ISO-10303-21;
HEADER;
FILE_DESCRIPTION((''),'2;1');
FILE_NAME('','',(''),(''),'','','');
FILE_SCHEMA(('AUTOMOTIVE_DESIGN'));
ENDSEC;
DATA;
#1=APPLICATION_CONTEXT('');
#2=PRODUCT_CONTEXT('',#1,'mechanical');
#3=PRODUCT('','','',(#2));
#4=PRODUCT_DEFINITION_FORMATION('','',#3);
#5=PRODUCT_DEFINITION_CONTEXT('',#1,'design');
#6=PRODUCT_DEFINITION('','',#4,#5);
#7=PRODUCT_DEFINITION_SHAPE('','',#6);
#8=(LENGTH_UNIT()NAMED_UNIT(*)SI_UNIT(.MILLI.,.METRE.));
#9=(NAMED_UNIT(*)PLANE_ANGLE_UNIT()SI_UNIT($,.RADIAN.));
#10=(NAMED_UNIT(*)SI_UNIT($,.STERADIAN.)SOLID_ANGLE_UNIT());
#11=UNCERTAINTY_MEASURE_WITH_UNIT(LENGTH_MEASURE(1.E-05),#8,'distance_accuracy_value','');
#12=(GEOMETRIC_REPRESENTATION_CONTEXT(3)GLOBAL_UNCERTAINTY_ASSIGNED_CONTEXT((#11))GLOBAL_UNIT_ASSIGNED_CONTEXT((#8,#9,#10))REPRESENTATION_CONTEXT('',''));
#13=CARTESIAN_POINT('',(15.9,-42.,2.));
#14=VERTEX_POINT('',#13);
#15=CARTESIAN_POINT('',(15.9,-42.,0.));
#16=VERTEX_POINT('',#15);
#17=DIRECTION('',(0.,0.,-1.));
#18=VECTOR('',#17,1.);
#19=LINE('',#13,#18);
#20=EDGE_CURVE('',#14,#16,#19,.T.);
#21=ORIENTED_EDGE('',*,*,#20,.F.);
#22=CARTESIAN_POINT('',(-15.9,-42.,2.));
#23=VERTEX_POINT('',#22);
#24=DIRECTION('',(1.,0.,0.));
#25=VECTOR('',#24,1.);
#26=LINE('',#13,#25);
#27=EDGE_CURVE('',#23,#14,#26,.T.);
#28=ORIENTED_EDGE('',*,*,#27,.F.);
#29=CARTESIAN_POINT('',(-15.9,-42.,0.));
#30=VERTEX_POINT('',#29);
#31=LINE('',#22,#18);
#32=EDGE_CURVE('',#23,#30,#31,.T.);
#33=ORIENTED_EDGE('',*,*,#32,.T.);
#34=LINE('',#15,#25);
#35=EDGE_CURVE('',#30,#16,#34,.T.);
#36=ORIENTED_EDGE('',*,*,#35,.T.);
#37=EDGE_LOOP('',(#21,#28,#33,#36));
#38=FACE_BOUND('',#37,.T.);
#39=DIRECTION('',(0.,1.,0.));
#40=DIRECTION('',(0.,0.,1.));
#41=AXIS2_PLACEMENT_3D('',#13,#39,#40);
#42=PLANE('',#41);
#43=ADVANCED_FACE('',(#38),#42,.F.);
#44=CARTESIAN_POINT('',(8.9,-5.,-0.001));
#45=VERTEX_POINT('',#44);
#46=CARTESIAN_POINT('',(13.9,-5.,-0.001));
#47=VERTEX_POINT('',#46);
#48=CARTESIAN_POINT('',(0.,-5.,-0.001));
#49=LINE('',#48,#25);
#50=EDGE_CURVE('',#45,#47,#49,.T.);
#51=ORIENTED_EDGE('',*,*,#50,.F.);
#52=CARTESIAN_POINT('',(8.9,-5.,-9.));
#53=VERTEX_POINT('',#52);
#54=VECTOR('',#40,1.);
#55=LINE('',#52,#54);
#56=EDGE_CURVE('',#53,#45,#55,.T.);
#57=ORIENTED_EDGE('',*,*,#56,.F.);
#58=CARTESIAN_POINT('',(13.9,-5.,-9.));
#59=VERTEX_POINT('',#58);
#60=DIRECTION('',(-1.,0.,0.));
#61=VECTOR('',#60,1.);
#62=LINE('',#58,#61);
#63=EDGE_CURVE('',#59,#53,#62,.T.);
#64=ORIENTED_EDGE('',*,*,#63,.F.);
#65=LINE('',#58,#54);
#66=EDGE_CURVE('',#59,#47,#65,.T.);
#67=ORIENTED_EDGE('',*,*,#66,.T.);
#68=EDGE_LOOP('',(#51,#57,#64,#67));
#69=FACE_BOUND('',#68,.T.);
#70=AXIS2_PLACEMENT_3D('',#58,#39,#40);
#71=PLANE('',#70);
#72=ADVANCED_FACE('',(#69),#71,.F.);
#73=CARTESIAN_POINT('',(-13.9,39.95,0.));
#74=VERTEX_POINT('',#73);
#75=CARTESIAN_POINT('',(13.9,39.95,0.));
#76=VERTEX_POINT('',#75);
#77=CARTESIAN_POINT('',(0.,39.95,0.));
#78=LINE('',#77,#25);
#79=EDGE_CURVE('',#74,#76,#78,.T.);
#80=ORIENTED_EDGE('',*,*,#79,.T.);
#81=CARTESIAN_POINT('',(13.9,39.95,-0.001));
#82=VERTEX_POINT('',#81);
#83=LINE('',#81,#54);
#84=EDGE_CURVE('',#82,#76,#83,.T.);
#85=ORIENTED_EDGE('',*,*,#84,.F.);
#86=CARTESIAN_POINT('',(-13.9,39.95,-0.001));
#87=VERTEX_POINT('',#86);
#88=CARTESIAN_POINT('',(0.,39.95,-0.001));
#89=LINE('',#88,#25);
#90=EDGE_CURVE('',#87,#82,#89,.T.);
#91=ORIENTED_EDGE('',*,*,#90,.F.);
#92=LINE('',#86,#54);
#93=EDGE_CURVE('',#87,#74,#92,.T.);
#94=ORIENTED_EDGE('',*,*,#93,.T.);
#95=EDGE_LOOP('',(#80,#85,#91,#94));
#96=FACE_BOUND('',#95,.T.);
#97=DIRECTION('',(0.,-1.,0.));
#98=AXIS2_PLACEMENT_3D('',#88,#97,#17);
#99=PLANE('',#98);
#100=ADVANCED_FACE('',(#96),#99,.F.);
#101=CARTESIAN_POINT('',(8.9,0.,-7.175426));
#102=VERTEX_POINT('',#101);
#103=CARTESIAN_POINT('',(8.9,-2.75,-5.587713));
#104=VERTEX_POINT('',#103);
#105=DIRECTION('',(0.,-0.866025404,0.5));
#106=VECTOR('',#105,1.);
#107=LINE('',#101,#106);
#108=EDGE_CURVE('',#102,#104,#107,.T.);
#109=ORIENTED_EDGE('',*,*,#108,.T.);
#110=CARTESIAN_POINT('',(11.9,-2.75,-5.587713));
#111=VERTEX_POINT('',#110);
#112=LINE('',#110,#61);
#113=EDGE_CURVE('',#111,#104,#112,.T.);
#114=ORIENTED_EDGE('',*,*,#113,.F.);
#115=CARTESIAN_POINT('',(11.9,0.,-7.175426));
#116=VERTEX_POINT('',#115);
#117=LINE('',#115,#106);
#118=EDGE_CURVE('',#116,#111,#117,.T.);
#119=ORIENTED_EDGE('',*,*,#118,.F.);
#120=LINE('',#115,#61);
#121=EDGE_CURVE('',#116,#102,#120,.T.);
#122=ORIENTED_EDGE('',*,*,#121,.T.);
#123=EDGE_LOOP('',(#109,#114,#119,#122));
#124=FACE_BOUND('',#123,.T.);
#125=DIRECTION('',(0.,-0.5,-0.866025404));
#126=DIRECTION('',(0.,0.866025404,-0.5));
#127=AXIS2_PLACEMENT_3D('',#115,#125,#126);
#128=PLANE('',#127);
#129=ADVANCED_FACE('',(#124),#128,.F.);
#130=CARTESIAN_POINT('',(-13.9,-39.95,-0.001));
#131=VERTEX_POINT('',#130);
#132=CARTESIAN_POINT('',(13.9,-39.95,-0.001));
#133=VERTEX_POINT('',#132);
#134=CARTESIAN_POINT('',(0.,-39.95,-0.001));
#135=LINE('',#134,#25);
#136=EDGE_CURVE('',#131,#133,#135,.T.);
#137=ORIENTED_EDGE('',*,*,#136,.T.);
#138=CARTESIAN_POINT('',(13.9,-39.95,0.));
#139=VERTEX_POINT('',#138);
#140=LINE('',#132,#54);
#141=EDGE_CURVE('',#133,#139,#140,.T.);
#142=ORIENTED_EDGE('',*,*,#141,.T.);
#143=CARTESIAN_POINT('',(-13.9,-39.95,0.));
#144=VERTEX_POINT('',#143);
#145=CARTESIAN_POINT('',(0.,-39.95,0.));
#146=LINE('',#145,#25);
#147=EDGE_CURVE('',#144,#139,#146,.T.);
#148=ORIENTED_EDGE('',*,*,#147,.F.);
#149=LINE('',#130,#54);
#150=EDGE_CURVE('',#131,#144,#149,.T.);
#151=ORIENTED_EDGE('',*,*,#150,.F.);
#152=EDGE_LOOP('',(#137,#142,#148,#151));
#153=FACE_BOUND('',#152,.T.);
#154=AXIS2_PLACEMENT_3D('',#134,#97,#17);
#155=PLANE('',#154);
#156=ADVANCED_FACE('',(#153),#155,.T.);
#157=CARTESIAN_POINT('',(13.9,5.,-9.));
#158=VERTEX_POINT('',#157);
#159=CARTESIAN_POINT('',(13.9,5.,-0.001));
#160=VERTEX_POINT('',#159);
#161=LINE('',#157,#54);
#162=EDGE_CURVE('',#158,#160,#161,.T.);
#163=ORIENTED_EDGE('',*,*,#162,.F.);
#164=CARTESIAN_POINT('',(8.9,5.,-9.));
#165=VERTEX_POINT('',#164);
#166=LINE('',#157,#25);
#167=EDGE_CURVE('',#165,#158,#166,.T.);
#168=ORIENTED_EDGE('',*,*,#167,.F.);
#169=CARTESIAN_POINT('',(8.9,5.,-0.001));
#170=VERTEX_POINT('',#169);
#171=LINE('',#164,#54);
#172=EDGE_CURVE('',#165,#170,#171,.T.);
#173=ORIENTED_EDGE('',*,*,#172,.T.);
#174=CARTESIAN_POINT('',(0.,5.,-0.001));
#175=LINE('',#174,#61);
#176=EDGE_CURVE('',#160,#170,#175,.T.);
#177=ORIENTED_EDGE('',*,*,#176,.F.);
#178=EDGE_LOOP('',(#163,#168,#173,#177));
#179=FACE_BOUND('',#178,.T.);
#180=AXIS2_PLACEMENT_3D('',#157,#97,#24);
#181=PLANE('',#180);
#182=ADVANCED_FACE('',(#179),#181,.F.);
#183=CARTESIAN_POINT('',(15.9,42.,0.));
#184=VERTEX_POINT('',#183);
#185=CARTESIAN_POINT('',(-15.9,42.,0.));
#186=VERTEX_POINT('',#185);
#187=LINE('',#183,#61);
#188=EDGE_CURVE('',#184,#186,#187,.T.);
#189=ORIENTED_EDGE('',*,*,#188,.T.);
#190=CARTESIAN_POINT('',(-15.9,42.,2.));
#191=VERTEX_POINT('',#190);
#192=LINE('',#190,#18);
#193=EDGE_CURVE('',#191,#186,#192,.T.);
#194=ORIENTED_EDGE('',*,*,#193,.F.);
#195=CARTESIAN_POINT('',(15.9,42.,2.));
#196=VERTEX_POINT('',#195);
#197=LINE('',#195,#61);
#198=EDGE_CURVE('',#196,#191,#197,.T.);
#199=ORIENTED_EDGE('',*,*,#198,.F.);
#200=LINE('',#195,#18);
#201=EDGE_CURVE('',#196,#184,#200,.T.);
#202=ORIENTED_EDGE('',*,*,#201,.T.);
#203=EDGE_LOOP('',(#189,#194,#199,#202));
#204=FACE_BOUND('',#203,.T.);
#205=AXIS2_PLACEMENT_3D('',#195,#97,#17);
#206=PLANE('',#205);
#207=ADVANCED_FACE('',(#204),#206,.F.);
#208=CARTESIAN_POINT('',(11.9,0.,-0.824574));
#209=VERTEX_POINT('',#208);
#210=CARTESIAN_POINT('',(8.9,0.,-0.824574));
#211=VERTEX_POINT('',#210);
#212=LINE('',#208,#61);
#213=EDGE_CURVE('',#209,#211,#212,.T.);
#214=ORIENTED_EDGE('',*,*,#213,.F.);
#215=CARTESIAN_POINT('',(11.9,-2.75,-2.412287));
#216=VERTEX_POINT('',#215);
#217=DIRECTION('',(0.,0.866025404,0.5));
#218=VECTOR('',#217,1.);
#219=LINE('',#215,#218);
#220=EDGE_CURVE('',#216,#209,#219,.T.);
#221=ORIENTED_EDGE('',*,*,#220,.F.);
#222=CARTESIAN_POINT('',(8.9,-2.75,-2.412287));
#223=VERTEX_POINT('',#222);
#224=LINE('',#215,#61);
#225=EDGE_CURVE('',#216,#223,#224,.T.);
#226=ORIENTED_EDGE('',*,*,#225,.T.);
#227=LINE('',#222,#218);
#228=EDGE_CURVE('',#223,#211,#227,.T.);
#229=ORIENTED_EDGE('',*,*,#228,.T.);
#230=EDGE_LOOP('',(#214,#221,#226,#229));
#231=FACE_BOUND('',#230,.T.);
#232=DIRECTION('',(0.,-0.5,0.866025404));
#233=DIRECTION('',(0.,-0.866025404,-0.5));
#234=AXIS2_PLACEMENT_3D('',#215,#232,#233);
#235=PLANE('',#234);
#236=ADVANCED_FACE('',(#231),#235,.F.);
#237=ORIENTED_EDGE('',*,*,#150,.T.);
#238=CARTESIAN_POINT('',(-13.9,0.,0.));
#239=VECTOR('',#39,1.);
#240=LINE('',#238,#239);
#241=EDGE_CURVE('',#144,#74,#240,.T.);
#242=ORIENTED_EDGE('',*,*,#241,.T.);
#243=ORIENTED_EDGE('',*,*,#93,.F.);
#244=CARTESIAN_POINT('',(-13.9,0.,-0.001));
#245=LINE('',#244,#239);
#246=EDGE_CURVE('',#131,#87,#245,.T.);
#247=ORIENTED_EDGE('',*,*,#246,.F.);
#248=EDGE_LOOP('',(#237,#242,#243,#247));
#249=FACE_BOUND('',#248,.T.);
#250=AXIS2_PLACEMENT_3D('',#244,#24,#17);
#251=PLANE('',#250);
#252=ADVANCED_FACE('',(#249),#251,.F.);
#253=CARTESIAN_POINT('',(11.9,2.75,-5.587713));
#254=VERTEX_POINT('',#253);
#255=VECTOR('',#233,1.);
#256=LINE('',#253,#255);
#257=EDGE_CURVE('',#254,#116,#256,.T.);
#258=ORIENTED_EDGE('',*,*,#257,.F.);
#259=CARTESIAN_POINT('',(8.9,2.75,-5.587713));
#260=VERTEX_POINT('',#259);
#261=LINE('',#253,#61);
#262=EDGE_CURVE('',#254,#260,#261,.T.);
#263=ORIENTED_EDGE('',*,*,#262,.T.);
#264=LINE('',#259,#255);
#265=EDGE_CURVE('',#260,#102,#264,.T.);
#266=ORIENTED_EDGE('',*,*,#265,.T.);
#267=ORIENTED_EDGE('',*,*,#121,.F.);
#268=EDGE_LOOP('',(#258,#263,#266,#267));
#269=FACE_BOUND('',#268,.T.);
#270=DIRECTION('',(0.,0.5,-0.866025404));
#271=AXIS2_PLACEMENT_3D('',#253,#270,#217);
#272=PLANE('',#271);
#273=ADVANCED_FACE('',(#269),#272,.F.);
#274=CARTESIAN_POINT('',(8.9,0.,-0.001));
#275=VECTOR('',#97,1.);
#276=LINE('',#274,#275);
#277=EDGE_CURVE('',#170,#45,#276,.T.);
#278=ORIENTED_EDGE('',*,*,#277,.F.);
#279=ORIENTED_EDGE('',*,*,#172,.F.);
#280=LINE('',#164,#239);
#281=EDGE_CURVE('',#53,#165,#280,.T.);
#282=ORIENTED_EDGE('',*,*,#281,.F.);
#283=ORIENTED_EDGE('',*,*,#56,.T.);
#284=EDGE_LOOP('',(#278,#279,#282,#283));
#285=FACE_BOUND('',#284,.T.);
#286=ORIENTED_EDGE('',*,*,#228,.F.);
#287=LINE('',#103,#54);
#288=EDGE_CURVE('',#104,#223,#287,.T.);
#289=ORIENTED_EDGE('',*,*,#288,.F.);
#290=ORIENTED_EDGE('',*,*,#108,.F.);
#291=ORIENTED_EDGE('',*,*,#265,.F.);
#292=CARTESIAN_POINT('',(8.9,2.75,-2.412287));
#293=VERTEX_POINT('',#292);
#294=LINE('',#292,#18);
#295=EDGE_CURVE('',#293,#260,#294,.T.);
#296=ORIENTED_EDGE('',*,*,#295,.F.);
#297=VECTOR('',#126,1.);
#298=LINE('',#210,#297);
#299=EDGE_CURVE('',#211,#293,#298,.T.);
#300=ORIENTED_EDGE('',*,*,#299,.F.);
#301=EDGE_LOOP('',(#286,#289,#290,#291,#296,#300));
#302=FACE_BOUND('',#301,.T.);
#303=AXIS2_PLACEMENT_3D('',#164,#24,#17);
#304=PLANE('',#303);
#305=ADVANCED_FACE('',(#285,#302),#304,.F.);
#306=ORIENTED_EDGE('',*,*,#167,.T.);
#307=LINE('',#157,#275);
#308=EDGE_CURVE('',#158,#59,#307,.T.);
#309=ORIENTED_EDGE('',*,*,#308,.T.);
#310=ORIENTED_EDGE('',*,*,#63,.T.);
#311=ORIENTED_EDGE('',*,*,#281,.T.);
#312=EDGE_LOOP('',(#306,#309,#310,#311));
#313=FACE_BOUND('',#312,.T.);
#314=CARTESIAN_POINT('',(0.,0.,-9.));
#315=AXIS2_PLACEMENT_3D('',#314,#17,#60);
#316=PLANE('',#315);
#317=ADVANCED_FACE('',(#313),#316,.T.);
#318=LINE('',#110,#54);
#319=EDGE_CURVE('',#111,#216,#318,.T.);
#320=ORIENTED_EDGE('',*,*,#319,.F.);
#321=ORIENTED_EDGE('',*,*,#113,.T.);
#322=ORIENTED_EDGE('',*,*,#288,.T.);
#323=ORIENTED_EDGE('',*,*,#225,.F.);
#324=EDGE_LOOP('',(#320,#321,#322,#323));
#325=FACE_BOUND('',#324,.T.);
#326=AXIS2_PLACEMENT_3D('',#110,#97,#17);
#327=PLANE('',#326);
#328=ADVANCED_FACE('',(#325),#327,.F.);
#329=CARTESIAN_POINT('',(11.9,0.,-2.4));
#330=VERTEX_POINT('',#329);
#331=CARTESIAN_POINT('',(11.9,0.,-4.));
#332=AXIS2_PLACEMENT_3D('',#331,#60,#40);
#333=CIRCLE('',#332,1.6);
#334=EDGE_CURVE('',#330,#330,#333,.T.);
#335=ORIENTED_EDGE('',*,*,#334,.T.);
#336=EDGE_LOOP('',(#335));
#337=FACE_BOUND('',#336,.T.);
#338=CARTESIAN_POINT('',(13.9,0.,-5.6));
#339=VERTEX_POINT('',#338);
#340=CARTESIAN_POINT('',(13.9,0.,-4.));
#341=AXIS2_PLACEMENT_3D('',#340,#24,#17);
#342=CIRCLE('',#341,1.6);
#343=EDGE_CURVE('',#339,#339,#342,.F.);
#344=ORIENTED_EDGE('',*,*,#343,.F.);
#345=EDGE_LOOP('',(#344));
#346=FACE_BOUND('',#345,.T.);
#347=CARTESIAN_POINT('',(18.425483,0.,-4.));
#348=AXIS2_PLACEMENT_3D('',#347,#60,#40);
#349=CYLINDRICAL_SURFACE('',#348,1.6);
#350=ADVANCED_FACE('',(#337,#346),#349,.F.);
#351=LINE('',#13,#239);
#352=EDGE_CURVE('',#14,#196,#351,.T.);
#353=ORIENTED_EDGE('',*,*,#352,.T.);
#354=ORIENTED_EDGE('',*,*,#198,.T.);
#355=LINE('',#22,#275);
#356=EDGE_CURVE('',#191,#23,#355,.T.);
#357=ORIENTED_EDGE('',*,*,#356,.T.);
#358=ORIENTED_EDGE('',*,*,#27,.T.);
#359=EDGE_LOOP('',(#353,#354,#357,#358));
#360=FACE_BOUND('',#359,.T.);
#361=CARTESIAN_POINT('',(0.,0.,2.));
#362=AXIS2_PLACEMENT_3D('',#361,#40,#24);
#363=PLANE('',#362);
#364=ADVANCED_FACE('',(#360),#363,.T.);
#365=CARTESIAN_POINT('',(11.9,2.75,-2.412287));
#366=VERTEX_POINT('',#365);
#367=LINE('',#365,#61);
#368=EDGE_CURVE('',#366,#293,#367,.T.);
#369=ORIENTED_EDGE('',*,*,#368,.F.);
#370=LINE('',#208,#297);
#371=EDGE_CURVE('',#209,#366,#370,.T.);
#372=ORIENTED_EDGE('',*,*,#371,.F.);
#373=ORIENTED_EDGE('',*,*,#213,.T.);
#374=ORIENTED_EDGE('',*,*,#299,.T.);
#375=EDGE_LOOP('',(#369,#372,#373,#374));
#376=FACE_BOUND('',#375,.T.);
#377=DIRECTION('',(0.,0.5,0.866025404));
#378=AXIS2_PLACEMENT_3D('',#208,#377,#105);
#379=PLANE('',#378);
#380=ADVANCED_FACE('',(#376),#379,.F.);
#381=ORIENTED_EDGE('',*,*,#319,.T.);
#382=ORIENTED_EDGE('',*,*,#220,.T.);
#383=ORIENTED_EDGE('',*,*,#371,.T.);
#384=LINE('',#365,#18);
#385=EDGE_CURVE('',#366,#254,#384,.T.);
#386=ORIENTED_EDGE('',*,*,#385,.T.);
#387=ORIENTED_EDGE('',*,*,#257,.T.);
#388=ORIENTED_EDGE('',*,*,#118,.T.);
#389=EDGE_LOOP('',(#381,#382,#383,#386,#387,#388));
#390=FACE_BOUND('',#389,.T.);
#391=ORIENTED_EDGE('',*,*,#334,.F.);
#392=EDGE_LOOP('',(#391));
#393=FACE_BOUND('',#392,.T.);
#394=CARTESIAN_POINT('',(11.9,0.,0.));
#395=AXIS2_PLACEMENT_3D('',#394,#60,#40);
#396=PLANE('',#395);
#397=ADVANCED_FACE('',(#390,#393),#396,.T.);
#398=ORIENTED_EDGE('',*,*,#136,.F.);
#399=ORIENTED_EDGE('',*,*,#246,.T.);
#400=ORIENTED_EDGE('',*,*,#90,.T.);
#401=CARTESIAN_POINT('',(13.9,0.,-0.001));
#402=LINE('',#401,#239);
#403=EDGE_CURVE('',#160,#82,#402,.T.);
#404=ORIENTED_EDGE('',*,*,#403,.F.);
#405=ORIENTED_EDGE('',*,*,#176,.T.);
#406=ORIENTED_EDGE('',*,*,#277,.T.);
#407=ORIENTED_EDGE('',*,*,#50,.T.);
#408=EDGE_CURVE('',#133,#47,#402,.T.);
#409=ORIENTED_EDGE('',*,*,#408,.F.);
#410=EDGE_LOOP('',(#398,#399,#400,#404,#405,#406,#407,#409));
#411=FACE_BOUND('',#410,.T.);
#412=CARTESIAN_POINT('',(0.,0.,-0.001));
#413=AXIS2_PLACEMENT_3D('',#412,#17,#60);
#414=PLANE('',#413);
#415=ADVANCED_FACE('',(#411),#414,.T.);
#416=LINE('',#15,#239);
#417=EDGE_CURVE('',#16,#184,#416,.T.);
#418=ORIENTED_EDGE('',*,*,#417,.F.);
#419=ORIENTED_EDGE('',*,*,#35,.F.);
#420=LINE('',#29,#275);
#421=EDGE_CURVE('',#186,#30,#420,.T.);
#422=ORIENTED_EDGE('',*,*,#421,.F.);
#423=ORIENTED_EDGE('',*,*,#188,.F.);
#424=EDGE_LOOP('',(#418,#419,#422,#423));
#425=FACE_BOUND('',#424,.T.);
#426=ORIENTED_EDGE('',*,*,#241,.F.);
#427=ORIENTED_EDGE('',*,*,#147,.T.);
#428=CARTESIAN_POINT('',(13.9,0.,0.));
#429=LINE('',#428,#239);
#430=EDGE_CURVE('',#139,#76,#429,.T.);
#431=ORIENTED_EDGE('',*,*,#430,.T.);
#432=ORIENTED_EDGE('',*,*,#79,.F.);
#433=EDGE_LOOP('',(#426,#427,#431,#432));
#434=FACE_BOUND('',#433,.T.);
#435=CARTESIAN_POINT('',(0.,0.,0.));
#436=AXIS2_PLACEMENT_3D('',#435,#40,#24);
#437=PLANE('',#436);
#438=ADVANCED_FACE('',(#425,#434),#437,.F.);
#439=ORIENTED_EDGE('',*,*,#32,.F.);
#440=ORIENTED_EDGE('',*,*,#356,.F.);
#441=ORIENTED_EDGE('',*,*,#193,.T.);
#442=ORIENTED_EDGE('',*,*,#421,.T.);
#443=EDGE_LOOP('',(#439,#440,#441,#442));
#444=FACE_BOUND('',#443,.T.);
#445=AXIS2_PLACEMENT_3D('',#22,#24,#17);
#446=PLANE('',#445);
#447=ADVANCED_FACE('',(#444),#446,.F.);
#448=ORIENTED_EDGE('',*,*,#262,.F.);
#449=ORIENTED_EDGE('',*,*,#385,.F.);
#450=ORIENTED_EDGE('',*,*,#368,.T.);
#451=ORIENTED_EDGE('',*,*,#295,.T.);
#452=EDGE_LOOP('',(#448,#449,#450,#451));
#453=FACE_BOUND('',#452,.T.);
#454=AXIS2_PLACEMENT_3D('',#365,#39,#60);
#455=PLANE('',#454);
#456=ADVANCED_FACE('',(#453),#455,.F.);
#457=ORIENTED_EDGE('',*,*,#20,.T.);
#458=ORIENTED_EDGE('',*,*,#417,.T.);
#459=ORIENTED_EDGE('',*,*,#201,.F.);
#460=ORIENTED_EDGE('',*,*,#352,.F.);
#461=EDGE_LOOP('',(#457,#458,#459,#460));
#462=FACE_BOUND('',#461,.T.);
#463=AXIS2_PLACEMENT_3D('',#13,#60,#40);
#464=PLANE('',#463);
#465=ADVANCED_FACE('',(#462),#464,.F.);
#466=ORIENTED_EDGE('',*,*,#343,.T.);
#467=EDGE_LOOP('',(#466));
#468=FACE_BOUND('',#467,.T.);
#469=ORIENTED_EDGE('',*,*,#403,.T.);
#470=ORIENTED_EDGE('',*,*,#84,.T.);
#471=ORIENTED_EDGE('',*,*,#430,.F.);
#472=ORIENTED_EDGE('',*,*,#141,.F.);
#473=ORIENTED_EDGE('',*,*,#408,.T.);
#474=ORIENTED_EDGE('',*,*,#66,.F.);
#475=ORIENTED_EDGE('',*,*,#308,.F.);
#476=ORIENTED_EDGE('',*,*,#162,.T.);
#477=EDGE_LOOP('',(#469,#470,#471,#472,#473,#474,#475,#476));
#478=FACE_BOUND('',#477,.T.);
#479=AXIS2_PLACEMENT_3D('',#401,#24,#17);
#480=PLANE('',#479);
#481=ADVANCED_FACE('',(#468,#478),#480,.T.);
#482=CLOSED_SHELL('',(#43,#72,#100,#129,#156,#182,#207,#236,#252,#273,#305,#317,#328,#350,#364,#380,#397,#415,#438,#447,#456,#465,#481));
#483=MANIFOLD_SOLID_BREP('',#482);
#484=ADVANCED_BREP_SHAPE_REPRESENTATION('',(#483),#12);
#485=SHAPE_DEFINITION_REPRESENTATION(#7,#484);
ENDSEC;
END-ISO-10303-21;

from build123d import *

# Parameters (mm, degrees)
SKETCH1_W           = 31.8
SKETCH1_H           = 84
BOSS_EXTRUDE1_DEPTH = 2
SKETCH2_W           = 27.8
SKETCH2_H           = 79.9
BOSS_EXTRUDE2_DEPTH = 0.001
SKETCH3_W           = 5
SKETCH3_H           = 10
BOSS_EXTRUDE3_DEPTH = 9
CUT_EXTRUDE1_DEPTH  = 3
SKETCH5_R           = 1.6
CUT_EXTRUDE2_DEPTH  = 2


with BuildPart() as part:
    # Sketch1 → Boss-Extrude1 (new body)
    with BuildSketch(Plane.XY):
        Rectangle(SKETCH1_W, SKETCH1_H)
    extrude(amount=BOSS_EXTRUDE1_DEPTH)

    # Sketch2 → Boss-Extrude2 (add)
    with BuildSketch(Plane(origin=(0, 0, 0), x_dir=(-1, 0, 0), z_dir=(0, 0, -1))):
        Rectangle(SKETCH2_W, SKETCH2_H)
    extrude(amount=BOSS_EXTRUDE2_DEPTH)

    # Sketch3 → Boss-Extrude3 (add)
    with BuildSketch(Plane(origin=(0, 0, 0), x_dir=(-1, 0, 0), z_dir=(0, 0, -1))):
        with Locations((-11.4, 0)):
            Rectangle(SKETCH3_W, SKETCH3_H)
    extrude(amount=BOSS_EXTRUDE3_DEPTH)

    # Sketch4 → Cut-Extrude1 (cut)
    with BuildSketch(Plane.ZY.offset(-8.9)):
        Polygon((-2.41228676, 2.75), (-5.58771324, 2.75), (-7.175426481, 0), (-5.58771324, -2.75), (-2.41228676, -2.75), (-0.824573519, 0), align=None)
    extrude(amount=-CUT_EXTRUDE1_DEPTH, mode=Mode.SUBTRACT)

    # Sketch5 → Cut-Extrude2 (cut)
    with BuildSketch(Plane.ZY.offset(-11.9)):
        with Locations((-4, 0)):
            Circle(SKETCH5_R)
    extrude(amount=-CUT_EXTRUDE2_DEPTH, mode=Mode.SUBTRACT)


solid = part.part
